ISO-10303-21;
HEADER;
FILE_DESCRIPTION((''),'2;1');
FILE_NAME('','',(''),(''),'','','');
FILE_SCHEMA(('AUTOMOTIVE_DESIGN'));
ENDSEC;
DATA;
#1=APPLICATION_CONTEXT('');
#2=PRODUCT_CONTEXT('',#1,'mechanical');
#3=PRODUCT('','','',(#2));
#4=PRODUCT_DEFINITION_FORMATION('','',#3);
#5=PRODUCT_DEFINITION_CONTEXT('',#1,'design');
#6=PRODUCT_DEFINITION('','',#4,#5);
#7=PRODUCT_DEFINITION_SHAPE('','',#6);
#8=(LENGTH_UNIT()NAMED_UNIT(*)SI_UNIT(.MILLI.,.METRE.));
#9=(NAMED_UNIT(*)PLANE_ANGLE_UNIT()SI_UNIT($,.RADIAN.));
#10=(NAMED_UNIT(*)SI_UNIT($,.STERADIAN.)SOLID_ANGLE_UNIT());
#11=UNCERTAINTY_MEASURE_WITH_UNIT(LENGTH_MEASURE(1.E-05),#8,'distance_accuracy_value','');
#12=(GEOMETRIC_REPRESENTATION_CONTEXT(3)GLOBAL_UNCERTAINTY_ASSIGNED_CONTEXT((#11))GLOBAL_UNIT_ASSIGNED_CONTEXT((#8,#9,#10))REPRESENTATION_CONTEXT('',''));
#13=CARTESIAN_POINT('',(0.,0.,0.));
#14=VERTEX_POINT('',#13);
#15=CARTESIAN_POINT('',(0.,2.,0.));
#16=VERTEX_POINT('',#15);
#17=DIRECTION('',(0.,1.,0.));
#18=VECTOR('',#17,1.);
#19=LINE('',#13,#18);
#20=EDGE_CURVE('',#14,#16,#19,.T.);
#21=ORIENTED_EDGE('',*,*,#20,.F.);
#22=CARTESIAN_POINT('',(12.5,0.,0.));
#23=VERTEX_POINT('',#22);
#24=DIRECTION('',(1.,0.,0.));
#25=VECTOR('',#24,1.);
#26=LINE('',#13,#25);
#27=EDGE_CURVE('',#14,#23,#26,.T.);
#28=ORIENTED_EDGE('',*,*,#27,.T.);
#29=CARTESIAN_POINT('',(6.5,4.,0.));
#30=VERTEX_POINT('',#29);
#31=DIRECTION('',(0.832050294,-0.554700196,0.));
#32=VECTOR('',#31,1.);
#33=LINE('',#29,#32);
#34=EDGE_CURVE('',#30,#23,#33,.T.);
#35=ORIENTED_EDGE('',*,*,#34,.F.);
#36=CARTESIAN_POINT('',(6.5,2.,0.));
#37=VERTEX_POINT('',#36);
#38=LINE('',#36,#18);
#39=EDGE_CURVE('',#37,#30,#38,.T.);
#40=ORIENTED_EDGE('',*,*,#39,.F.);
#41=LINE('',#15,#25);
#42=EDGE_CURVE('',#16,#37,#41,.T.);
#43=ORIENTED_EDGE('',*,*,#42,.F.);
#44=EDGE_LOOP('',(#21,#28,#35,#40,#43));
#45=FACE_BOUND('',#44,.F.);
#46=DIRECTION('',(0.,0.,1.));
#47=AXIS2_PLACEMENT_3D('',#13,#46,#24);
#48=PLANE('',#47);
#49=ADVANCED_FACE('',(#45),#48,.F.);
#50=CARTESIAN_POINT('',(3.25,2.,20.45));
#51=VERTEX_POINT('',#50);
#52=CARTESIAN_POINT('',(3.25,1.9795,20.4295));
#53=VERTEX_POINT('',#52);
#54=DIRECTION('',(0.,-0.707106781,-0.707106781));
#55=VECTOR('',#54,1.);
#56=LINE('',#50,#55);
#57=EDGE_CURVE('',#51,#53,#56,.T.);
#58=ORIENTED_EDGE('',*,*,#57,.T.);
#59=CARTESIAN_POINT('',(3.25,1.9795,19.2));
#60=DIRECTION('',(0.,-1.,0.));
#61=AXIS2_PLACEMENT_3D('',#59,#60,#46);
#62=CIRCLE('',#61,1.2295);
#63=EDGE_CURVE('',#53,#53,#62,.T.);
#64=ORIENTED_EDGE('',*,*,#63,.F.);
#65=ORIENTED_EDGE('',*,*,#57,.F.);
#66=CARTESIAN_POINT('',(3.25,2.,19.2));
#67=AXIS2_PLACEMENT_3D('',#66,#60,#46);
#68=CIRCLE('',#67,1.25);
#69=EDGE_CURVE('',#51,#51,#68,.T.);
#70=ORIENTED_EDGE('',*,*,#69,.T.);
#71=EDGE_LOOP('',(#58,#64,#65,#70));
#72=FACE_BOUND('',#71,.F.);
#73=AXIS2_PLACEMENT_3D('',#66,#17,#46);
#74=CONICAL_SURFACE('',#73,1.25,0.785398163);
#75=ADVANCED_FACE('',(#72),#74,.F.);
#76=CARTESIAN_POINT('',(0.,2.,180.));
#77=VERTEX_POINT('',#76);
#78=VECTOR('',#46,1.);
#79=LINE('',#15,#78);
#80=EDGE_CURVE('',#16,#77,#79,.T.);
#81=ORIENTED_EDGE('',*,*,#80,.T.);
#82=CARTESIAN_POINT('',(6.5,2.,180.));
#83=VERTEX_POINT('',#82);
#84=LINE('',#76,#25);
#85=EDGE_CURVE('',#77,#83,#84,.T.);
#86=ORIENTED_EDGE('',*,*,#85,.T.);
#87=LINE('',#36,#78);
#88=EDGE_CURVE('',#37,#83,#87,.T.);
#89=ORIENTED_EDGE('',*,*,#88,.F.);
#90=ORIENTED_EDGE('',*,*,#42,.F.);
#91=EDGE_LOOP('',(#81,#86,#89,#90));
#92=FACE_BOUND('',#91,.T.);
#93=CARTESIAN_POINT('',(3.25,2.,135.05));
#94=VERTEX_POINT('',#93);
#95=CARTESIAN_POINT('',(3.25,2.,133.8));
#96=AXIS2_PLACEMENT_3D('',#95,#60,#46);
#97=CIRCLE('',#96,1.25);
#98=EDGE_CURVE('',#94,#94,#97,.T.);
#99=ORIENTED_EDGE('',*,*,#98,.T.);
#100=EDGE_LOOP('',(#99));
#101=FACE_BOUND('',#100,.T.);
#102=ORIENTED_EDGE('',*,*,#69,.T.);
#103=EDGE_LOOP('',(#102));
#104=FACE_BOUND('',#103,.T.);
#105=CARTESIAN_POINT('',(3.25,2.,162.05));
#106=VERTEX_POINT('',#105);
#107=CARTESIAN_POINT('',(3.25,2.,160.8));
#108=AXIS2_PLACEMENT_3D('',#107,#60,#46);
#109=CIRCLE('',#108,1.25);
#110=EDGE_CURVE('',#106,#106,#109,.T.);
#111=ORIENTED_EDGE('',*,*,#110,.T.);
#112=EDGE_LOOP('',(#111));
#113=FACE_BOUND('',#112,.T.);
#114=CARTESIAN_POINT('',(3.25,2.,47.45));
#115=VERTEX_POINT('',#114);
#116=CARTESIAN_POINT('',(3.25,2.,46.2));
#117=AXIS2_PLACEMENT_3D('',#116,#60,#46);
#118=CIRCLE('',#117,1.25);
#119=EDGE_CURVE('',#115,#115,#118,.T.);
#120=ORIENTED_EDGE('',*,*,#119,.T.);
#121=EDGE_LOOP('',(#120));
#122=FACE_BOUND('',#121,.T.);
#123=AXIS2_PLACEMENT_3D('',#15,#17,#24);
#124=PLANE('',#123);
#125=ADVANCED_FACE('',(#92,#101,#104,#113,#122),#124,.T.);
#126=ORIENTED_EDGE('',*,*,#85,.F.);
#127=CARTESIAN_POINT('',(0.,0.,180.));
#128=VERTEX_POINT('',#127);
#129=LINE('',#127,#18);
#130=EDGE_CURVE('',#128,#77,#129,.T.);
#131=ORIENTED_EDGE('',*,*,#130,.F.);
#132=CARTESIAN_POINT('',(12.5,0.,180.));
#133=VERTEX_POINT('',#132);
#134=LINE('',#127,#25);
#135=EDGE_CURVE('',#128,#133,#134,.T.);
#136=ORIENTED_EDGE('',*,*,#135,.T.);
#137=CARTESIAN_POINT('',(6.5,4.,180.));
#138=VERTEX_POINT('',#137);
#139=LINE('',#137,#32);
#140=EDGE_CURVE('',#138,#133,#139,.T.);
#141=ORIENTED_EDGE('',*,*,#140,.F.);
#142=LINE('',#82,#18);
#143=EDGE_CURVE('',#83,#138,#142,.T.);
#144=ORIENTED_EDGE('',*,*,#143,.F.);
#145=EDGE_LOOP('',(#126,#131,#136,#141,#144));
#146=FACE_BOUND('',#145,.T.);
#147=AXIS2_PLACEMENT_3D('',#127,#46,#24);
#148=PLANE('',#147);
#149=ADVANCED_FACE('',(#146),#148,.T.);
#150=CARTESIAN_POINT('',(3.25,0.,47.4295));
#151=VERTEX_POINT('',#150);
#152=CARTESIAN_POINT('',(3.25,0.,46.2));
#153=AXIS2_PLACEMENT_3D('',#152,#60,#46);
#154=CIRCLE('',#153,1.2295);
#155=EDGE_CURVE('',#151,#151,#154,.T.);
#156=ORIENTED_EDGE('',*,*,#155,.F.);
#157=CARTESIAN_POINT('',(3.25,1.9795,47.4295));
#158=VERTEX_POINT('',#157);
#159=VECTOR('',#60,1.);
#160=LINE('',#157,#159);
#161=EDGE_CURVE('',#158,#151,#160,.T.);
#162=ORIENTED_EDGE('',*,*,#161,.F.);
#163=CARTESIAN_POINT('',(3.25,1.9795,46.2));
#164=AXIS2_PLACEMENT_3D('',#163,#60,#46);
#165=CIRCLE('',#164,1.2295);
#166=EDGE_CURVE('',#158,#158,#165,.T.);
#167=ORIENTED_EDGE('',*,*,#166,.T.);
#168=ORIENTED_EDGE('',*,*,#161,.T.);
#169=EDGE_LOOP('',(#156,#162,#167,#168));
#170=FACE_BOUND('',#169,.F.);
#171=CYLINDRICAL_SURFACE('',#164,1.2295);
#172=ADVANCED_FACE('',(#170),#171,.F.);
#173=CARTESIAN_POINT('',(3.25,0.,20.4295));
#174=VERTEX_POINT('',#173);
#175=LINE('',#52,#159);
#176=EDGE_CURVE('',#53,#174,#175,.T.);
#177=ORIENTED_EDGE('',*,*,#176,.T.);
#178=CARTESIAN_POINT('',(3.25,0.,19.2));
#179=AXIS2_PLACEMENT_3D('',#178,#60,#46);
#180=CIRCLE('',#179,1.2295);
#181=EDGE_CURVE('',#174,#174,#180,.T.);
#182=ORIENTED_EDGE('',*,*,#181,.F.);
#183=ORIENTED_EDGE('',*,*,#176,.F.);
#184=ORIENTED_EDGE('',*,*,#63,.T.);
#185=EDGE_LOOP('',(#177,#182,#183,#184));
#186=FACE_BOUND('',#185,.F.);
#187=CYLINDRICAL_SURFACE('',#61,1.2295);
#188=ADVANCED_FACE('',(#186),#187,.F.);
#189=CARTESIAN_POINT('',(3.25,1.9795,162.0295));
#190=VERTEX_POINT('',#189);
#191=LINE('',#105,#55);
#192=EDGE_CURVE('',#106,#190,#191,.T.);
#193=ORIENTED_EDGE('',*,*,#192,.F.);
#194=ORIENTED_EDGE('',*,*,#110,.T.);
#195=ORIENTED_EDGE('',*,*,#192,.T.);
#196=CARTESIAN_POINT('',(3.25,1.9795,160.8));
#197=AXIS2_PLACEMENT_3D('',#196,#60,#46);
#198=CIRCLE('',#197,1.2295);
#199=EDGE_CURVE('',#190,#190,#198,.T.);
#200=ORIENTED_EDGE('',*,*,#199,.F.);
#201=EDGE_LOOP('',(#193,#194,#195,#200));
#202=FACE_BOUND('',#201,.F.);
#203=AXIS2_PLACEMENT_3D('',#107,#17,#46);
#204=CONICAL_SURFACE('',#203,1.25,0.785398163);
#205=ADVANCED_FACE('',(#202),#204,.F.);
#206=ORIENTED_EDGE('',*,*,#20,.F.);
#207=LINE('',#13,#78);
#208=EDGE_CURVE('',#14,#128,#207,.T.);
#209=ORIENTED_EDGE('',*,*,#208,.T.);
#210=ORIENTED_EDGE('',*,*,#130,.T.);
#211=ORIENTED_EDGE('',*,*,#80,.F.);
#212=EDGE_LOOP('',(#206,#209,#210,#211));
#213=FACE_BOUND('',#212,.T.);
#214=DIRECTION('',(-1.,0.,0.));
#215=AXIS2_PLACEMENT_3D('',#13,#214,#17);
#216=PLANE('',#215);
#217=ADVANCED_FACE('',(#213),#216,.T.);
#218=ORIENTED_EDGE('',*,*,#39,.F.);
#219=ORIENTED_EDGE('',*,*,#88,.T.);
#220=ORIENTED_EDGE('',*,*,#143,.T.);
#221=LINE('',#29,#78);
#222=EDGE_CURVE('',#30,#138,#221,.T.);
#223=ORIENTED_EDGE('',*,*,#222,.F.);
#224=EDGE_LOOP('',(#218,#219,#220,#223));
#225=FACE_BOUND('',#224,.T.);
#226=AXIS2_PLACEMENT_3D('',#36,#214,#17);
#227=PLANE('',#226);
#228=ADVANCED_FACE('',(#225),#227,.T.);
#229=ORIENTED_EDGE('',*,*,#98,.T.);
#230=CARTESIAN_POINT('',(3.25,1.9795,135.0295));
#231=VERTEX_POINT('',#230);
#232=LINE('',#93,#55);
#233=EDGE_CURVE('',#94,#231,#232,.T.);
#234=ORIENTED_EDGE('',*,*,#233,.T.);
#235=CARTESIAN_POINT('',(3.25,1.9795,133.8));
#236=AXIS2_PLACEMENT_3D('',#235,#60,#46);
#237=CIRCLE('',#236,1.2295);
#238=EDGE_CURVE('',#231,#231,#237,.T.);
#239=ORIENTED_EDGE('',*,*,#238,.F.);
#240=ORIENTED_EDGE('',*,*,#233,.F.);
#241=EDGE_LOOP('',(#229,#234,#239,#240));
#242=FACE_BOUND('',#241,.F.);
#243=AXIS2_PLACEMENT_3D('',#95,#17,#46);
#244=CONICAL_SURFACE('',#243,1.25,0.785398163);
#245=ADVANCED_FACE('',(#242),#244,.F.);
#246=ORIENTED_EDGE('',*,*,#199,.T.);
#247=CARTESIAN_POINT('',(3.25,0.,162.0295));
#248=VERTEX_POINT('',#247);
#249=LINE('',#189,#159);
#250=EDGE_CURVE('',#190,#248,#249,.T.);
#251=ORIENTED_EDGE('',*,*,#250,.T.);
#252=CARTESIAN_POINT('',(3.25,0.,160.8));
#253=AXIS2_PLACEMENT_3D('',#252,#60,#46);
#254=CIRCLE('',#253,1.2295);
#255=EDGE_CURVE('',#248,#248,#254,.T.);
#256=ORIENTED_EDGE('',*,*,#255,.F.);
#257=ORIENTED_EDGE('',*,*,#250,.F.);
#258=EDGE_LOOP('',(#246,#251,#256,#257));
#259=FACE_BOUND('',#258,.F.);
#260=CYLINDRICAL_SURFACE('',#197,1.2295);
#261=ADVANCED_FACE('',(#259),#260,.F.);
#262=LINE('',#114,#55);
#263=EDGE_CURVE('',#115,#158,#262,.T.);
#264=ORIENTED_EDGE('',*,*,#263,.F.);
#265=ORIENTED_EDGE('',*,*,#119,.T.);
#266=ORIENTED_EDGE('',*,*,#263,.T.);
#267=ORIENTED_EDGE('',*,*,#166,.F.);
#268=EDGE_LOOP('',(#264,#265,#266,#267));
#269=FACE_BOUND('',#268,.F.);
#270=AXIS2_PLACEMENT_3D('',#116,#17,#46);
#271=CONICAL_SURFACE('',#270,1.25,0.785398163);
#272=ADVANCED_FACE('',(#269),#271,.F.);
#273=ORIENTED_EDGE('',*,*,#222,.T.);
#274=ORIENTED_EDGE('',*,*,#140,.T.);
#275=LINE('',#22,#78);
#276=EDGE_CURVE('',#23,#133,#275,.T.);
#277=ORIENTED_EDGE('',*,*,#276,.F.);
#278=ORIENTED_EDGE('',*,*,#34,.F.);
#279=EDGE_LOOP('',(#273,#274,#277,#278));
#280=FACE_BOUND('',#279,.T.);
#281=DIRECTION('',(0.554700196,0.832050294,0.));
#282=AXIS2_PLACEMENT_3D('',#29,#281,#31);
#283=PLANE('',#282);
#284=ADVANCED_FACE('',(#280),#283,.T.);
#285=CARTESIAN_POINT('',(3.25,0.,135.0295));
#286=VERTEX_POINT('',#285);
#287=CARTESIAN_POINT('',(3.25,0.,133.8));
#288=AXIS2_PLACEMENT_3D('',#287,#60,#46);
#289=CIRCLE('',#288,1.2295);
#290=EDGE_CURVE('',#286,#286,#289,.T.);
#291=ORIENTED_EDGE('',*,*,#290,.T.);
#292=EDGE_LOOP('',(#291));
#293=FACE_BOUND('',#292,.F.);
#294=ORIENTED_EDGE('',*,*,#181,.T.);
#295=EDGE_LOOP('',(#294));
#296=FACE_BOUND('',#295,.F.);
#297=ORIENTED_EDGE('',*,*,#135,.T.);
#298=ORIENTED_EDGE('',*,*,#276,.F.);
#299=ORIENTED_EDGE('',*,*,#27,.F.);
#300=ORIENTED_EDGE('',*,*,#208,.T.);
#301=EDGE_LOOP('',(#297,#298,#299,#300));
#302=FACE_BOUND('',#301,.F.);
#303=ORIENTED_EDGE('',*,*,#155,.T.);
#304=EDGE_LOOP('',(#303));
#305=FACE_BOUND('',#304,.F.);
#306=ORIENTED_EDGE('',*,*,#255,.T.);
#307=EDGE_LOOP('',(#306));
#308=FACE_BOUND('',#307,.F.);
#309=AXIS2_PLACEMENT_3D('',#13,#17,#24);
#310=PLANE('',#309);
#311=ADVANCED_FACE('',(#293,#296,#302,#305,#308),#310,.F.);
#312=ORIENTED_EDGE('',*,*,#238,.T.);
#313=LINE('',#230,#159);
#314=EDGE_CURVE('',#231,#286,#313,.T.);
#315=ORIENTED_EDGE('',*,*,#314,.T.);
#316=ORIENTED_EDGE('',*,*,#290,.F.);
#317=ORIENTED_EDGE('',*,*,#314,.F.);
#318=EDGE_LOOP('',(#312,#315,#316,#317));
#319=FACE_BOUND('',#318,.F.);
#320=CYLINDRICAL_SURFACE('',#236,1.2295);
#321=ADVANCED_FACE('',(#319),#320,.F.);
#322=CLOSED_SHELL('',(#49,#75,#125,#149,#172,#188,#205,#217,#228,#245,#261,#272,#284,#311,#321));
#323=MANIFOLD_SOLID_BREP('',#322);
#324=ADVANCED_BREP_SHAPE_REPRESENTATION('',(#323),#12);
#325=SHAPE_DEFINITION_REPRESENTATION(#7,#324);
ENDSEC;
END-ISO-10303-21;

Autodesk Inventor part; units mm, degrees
ref_plane "YZ Plane" through (0, 0, 0) normal (1, 0, 0) x (0, 1, 0)
ref_plane "XZ Plane" through (0, 0, 0) normal (0, 1, 0) x (-1, 0, 0)
ref_plane "XY Plane" through (0, 0, 0) normal (0, 0, 1) x (1, 0, 0)
sketch "Sketch1" plane through (0, 0, 0) normal (0, 0, 1) x (1, 0, 0)
  line L0 (0, 0) -> (12.5, 0)
  line L1 (0, 0) -> (0, 2)
  line L2 (0, 2) -> (6.5, 2)
  line L3 (6.5, 2) -> (6.5, 4)
  line L4 (6.5, 4) -> (12.5, 0)
  dimension "d0" = 12.5
  dimension "d1" = 2
  dimension "d2" = 6.5
  dimension "d3" = 2
extrude "Extrusion1" add sketch "Sketch1" along normal blind 180
sketch "Sketch2" plane through (0, 2, 0) normal (0, 1, 0) x (1, 0, 0)
  circle A0 centre (3.25, -160.8) radius 1.25
  circle A1 centre (3.25, -133.8) radius 1.25
  circle A2 centre (3.25, -46.2) radius 1.25
  circle A3 centre (3.25, -19.2) radius 1.25
  line L0 (6.5, 0) -> (0, 0) projected
  line L1 (6.5, -180) -> (0, -180) projected
  line L2 (0, 0) -> (0, -180) projected
  point P0 (3.25, -180)
  dimension "d6" = 2.5
  dimension "d7" = 2.5
  dimension "d8" = 2.5
  dimension "d9" = 2.5
  dimension "d10" = 19.2
  dimension "d11" = 46.2
  dimension "d12" = 19.2
  dimension "d13" = 3.25
  dimension "d14" = 46.2
  dimension "d15" = 3.25
  dimension "d16" = 3.25
  dimension "d17" = 3.25
hole "Hole1" at (3.25, 2, 160.8) at (3.25, 2, 133.8) at (3.25, 2, 46.2) at (3.25, 2, 19.2) direction (0, -1, 0) diameter 2.459 depth 2 countersink diameter 2.5 countersink angle 90 thread size "M3x0.5" class "6H" standard "ANSI Metric M Profile"
properties part number "plug"
